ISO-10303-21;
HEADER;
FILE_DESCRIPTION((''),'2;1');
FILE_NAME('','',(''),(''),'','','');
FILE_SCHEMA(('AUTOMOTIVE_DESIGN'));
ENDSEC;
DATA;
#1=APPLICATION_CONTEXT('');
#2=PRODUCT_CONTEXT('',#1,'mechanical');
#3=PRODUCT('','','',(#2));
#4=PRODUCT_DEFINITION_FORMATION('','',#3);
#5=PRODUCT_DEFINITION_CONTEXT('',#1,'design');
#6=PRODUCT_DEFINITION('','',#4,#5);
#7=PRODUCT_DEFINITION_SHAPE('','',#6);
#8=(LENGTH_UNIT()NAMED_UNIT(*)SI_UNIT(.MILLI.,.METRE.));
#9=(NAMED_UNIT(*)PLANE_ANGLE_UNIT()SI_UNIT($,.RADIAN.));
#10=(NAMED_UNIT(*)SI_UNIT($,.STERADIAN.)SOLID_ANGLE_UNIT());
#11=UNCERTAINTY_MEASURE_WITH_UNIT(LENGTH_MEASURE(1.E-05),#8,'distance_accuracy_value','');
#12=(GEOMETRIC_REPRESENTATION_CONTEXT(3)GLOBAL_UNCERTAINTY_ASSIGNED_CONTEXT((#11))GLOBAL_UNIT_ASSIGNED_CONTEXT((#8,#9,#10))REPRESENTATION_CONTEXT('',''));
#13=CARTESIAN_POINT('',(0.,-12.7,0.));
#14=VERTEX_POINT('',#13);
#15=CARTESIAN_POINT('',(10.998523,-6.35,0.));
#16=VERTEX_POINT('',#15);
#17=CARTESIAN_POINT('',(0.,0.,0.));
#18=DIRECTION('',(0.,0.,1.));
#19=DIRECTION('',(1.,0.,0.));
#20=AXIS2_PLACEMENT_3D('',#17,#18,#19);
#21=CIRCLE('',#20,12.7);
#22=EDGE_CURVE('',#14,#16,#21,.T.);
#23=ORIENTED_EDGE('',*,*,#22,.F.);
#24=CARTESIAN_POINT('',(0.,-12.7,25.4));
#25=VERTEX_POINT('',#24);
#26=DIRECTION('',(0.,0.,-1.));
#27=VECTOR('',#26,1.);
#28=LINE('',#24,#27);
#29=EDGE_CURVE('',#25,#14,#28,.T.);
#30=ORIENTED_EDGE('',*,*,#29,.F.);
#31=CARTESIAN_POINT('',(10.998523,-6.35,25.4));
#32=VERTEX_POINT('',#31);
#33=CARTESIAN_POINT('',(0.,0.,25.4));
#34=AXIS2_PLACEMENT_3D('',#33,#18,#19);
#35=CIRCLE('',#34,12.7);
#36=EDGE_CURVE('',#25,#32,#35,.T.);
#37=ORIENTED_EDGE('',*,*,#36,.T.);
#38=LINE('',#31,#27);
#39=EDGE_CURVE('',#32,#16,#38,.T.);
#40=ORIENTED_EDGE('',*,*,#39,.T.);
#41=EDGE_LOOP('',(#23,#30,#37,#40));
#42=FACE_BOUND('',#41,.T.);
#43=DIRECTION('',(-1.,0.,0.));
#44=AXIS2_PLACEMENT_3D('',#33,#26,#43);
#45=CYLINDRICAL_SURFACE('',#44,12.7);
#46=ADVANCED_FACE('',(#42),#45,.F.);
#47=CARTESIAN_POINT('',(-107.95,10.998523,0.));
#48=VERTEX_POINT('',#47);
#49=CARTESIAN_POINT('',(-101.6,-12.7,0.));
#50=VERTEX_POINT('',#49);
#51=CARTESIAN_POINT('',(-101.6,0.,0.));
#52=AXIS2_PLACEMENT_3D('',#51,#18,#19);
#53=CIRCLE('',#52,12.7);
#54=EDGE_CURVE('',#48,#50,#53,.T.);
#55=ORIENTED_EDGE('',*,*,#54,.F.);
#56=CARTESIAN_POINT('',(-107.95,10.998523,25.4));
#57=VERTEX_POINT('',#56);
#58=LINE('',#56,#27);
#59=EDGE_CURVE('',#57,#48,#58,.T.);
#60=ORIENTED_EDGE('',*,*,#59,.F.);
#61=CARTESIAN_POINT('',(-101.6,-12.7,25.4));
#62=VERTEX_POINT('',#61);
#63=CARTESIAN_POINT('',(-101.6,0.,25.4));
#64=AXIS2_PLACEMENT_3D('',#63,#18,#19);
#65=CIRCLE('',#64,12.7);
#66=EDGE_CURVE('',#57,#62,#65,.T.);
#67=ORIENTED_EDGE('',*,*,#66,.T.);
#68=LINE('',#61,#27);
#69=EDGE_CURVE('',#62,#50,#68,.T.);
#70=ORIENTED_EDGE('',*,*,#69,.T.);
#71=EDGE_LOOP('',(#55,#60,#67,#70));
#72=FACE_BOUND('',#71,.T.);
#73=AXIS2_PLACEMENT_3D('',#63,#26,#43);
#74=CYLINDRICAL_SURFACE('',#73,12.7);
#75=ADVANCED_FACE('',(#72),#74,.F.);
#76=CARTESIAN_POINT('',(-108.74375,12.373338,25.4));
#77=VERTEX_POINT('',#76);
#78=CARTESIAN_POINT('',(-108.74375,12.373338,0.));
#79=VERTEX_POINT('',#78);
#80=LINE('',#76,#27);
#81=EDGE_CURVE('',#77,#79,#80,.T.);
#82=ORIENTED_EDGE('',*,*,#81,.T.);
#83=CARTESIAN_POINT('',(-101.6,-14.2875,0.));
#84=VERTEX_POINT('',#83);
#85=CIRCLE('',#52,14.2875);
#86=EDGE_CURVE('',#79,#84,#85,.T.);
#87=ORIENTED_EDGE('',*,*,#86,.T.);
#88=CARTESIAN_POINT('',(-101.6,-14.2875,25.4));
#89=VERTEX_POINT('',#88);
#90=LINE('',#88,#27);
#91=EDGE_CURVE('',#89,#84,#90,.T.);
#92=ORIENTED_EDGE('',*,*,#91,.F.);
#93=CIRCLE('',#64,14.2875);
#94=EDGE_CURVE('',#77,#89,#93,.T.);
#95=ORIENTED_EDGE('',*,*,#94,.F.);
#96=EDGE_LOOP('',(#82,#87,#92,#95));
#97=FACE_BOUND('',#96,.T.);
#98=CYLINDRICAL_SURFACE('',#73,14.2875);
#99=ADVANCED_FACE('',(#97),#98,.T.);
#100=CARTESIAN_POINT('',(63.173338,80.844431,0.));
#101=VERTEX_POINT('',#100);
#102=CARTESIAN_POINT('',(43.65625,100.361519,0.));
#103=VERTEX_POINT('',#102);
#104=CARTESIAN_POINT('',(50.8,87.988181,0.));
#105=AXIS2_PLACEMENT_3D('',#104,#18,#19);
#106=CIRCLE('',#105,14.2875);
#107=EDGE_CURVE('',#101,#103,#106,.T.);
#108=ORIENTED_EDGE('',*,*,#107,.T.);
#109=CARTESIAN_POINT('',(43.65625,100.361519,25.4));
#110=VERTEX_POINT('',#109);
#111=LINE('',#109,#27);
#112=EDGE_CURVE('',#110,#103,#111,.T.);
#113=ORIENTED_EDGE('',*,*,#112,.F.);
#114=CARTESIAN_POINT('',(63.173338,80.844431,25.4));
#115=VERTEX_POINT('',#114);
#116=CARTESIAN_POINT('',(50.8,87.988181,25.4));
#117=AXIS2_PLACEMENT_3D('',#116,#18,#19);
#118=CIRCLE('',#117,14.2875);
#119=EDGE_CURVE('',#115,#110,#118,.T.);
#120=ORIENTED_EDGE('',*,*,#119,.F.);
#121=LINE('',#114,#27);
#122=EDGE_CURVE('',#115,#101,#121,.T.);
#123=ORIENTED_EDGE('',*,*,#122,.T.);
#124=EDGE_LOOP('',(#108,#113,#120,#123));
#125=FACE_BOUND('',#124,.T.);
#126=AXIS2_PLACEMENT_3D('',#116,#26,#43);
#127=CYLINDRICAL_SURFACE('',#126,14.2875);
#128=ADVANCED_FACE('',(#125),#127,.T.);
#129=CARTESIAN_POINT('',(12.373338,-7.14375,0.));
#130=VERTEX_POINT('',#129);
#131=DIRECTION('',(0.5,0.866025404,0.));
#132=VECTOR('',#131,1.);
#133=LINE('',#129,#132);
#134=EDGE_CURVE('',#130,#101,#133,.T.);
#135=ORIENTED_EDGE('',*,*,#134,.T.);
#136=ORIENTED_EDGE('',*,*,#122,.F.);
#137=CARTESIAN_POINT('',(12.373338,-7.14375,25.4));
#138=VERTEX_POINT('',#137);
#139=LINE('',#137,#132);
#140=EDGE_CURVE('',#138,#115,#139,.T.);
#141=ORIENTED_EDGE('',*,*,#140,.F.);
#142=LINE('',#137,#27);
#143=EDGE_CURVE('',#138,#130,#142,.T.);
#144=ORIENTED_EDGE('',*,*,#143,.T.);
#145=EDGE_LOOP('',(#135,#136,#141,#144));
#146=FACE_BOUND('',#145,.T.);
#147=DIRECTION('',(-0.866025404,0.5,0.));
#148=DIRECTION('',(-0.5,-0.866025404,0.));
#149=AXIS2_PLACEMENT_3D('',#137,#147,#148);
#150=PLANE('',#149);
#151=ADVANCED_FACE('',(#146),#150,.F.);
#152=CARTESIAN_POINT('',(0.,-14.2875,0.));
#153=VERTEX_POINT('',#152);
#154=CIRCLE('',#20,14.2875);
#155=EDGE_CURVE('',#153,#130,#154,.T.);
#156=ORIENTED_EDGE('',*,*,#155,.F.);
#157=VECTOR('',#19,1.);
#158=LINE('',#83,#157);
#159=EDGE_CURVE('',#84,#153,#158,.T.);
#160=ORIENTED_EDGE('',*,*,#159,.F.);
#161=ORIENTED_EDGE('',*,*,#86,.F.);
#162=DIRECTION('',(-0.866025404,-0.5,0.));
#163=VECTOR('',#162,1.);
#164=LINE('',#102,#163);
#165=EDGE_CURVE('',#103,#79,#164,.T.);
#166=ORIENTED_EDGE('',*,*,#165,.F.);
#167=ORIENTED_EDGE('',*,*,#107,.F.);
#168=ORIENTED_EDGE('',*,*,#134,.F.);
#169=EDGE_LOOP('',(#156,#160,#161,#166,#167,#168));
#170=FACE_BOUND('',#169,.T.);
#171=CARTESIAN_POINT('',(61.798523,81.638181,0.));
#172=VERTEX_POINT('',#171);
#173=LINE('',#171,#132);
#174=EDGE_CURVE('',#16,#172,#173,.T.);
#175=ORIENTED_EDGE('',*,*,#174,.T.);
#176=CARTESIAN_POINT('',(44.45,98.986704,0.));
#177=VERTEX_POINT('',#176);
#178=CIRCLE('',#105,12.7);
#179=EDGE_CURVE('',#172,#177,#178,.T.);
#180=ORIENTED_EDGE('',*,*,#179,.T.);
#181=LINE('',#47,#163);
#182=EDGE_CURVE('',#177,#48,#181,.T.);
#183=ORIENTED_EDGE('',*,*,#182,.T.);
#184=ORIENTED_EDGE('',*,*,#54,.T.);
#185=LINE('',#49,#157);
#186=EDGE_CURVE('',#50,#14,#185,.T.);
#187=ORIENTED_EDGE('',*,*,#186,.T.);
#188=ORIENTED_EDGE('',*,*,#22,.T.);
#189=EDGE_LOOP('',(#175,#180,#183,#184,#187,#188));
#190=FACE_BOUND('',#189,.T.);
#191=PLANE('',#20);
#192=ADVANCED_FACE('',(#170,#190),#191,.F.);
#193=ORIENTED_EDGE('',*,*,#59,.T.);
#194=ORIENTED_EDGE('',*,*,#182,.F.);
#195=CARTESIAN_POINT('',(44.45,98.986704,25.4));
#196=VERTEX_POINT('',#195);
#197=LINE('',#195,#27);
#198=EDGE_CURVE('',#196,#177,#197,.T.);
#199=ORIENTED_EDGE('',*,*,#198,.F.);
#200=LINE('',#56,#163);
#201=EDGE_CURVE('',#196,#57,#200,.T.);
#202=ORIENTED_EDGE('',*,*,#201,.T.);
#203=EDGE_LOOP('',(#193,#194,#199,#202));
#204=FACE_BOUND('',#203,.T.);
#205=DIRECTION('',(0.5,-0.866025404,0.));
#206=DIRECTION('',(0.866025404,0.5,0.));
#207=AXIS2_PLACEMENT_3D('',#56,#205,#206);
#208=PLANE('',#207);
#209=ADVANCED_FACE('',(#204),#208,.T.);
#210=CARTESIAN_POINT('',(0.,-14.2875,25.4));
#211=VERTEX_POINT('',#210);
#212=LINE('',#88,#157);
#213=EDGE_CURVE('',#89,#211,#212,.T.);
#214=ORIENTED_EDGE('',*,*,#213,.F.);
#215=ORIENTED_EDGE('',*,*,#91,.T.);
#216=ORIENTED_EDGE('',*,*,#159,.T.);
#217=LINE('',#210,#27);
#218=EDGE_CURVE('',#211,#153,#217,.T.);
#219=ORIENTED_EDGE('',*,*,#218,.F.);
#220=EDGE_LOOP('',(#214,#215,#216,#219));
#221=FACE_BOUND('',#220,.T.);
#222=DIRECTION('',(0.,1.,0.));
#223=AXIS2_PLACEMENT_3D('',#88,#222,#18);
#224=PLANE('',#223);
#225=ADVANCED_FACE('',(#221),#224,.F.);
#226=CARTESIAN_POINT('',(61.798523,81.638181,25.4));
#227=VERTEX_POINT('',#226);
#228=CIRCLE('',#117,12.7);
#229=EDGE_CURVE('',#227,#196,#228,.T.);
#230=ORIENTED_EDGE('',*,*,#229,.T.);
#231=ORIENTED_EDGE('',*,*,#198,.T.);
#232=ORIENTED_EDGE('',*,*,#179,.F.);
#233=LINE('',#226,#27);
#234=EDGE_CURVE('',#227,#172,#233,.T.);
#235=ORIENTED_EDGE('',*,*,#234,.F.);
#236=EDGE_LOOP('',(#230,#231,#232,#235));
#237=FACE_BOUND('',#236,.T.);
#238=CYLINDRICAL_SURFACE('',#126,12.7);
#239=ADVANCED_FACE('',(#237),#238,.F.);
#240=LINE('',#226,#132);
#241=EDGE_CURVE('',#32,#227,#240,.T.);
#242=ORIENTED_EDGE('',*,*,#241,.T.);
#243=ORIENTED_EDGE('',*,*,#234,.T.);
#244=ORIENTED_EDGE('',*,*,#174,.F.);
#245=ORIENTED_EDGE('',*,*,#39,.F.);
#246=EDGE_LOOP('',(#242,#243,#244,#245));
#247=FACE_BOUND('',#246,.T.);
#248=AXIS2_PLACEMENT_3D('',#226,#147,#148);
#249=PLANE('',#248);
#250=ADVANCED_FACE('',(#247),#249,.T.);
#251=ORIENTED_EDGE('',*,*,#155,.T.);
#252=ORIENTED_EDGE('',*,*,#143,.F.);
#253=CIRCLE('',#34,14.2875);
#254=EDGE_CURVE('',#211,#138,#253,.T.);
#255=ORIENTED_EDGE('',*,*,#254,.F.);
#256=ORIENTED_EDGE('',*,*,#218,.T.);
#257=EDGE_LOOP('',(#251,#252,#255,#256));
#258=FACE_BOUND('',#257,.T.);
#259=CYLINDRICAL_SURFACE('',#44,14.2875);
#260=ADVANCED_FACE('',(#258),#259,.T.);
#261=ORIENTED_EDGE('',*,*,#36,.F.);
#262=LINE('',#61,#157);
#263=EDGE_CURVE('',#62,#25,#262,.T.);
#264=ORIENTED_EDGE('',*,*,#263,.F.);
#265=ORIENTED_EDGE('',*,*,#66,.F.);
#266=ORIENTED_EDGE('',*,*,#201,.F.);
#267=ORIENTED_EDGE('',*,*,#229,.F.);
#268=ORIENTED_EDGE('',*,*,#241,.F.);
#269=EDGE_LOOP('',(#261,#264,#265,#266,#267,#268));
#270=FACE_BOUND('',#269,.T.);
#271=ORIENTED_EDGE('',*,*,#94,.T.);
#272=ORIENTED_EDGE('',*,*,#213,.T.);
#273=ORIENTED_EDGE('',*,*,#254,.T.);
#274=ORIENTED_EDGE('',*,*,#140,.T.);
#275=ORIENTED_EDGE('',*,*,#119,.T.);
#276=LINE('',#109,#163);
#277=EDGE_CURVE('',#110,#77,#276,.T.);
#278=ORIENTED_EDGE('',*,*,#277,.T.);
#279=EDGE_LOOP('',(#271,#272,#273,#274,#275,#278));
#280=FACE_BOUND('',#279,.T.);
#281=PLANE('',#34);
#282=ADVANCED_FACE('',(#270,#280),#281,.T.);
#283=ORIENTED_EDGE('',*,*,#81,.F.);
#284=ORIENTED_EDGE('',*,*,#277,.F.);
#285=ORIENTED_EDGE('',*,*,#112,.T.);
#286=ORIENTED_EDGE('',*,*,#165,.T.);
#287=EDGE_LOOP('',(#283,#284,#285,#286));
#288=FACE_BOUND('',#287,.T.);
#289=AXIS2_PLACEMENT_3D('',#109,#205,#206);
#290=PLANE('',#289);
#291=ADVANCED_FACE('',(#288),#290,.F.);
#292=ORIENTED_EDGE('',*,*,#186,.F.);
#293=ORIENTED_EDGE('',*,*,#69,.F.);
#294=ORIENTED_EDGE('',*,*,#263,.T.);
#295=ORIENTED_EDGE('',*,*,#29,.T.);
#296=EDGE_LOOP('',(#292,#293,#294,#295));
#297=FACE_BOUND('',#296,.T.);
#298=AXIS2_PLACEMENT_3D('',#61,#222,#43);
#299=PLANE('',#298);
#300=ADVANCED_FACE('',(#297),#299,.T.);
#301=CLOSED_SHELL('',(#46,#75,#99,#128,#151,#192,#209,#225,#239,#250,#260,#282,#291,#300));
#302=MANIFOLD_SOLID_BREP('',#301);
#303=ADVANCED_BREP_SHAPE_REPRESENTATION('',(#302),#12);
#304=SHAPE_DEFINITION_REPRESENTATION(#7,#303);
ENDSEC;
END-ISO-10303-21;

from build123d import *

# Parameters (mm, degrees)
BOSS_EXTRUDE1_DEPTH = 25.4


with BuildPart() as part:
    # Sketch1 → Boss-Extrude1 (new body)
    with BuildSketch(Plane.XY):
        with BuildLine():
            Line((43.65625, 100.361518981), (-108.74375, 12.373337957))
            ThreePointArc((-108.74375, 12.373337957), (-115.400665243, -3.697877107), (-101.6, -14.2875))
            Line((-101.6, -14.2875), (0, -14.2875))
            ThreePointArc((0, -14.2875), (7.14375, -12.373337957), (12.373337957, -7.14375))
            Line((12.373337957, -7.14375), (63.173337957, 80.844431024))
            ThreePointArc((63.173337957, 80.844431024), (60.902788136, 98.090969161), (43.65625, 100.361518981))
        make_face()
        with BuildLine():
            Line((-101.6, -12.7), (0, -12.7))
            ThreePointArc((0, -12.7), (6.35, -10.998522628), (10.998522628, -6.35))
            Line((10.998522628, -6.35), (61.798522628, 81.638181024))
            ThreePointArc((61.798522628, 81.638181024), (59.780256121, 96.968437146), (44.45, 98.986703653))
            Line((44.45, 98.986703653), (-107.95, 10.998522628))
            ThreePointArc((-107.95, 10.998522628), (-113.867257994, -3.287001873), (-101.6, -12.7))
        make_face(mode=Mode.SUBTRACT)
    extrude(amount=BOSS_EXTRUDE1_DEPTH)


solid = part.part
